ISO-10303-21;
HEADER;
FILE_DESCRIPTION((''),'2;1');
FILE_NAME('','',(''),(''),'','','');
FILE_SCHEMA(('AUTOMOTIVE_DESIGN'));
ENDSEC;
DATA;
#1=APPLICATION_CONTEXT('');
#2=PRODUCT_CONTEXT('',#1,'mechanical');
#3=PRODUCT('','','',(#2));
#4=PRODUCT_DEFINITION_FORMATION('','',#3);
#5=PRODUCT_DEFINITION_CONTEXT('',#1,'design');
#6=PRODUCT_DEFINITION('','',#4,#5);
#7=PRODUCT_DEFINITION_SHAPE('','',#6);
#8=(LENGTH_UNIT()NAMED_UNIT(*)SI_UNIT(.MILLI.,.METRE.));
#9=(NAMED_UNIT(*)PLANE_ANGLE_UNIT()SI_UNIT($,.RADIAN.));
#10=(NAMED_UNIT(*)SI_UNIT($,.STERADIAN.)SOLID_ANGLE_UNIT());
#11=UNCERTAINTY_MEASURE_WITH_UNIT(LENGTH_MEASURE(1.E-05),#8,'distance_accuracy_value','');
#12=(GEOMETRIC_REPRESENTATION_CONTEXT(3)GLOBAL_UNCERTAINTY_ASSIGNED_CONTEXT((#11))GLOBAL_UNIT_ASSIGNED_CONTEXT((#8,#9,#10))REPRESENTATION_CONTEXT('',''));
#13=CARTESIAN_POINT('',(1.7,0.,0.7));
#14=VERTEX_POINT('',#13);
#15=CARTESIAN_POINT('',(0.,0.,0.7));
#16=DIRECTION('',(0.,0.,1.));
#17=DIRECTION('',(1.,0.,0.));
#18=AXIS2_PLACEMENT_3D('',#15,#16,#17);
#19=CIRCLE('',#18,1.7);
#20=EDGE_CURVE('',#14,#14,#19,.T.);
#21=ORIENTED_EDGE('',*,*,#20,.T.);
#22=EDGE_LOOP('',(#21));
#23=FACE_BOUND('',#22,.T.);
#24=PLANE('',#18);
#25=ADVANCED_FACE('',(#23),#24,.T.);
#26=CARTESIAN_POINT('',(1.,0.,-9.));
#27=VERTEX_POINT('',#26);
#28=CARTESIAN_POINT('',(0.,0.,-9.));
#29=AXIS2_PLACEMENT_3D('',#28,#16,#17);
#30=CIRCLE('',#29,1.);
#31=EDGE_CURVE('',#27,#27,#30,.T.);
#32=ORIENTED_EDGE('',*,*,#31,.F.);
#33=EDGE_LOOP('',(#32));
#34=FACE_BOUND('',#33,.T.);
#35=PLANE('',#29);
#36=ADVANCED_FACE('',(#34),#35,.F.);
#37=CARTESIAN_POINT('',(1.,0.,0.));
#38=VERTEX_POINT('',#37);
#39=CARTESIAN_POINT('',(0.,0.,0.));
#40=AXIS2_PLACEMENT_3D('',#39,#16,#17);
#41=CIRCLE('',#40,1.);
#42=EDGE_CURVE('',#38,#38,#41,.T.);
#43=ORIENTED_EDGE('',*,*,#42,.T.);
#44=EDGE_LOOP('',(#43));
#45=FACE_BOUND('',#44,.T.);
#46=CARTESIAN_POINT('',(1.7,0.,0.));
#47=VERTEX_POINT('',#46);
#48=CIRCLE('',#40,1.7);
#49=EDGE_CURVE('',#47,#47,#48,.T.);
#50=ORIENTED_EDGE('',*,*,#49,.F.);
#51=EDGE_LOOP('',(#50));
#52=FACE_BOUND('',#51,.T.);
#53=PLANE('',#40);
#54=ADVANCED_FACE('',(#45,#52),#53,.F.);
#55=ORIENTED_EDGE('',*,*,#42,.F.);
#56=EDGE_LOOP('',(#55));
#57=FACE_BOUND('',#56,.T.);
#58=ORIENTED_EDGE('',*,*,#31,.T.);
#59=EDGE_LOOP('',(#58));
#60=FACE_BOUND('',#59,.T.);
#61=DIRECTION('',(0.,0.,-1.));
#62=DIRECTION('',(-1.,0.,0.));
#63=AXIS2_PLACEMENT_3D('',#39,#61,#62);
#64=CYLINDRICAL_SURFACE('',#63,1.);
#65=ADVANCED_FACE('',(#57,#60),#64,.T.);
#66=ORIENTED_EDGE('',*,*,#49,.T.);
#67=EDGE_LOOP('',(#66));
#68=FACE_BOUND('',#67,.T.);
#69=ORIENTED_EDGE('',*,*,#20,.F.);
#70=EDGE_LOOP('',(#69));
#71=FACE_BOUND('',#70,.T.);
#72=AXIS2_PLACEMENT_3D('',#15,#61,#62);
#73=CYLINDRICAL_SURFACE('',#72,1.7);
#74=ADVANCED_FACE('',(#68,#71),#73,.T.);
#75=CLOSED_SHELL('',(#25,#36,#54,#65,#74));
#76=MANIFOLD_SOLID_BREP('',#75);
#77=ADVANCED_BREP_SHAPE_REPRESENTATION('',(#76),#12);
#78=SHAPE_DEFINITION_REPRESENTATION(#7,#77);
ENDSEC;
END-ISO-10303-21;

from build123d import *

# Parameters (mm, degrees)
THREAD_ENVELOPE_START = -9
SKETCH1_R             = 1
THREAD_ENVELOPE_DEPTH = 9
SKETCH2_R             = 1.7
HEAD_ENVELOPE_DEPTH   = 0.7


with BuildPart() as part:
    # Sketch1 → Thread_Envelope (new body)
    with BuildSketch(Plane.XY.offset(THREAD_ENVELOPE_START)):
        Circle(SKETCH1_R)
    extrude(amount=THREAD_ENVELOPE_DEPTH)

    # Sketch2 → Head_Envelope (add)
    with BuildSketch(Plane.XY):
        Circle(SKETCH2_R)
    extrude(amount=HEAD_ENVELOPE_DEPTH)


solid = part.part
